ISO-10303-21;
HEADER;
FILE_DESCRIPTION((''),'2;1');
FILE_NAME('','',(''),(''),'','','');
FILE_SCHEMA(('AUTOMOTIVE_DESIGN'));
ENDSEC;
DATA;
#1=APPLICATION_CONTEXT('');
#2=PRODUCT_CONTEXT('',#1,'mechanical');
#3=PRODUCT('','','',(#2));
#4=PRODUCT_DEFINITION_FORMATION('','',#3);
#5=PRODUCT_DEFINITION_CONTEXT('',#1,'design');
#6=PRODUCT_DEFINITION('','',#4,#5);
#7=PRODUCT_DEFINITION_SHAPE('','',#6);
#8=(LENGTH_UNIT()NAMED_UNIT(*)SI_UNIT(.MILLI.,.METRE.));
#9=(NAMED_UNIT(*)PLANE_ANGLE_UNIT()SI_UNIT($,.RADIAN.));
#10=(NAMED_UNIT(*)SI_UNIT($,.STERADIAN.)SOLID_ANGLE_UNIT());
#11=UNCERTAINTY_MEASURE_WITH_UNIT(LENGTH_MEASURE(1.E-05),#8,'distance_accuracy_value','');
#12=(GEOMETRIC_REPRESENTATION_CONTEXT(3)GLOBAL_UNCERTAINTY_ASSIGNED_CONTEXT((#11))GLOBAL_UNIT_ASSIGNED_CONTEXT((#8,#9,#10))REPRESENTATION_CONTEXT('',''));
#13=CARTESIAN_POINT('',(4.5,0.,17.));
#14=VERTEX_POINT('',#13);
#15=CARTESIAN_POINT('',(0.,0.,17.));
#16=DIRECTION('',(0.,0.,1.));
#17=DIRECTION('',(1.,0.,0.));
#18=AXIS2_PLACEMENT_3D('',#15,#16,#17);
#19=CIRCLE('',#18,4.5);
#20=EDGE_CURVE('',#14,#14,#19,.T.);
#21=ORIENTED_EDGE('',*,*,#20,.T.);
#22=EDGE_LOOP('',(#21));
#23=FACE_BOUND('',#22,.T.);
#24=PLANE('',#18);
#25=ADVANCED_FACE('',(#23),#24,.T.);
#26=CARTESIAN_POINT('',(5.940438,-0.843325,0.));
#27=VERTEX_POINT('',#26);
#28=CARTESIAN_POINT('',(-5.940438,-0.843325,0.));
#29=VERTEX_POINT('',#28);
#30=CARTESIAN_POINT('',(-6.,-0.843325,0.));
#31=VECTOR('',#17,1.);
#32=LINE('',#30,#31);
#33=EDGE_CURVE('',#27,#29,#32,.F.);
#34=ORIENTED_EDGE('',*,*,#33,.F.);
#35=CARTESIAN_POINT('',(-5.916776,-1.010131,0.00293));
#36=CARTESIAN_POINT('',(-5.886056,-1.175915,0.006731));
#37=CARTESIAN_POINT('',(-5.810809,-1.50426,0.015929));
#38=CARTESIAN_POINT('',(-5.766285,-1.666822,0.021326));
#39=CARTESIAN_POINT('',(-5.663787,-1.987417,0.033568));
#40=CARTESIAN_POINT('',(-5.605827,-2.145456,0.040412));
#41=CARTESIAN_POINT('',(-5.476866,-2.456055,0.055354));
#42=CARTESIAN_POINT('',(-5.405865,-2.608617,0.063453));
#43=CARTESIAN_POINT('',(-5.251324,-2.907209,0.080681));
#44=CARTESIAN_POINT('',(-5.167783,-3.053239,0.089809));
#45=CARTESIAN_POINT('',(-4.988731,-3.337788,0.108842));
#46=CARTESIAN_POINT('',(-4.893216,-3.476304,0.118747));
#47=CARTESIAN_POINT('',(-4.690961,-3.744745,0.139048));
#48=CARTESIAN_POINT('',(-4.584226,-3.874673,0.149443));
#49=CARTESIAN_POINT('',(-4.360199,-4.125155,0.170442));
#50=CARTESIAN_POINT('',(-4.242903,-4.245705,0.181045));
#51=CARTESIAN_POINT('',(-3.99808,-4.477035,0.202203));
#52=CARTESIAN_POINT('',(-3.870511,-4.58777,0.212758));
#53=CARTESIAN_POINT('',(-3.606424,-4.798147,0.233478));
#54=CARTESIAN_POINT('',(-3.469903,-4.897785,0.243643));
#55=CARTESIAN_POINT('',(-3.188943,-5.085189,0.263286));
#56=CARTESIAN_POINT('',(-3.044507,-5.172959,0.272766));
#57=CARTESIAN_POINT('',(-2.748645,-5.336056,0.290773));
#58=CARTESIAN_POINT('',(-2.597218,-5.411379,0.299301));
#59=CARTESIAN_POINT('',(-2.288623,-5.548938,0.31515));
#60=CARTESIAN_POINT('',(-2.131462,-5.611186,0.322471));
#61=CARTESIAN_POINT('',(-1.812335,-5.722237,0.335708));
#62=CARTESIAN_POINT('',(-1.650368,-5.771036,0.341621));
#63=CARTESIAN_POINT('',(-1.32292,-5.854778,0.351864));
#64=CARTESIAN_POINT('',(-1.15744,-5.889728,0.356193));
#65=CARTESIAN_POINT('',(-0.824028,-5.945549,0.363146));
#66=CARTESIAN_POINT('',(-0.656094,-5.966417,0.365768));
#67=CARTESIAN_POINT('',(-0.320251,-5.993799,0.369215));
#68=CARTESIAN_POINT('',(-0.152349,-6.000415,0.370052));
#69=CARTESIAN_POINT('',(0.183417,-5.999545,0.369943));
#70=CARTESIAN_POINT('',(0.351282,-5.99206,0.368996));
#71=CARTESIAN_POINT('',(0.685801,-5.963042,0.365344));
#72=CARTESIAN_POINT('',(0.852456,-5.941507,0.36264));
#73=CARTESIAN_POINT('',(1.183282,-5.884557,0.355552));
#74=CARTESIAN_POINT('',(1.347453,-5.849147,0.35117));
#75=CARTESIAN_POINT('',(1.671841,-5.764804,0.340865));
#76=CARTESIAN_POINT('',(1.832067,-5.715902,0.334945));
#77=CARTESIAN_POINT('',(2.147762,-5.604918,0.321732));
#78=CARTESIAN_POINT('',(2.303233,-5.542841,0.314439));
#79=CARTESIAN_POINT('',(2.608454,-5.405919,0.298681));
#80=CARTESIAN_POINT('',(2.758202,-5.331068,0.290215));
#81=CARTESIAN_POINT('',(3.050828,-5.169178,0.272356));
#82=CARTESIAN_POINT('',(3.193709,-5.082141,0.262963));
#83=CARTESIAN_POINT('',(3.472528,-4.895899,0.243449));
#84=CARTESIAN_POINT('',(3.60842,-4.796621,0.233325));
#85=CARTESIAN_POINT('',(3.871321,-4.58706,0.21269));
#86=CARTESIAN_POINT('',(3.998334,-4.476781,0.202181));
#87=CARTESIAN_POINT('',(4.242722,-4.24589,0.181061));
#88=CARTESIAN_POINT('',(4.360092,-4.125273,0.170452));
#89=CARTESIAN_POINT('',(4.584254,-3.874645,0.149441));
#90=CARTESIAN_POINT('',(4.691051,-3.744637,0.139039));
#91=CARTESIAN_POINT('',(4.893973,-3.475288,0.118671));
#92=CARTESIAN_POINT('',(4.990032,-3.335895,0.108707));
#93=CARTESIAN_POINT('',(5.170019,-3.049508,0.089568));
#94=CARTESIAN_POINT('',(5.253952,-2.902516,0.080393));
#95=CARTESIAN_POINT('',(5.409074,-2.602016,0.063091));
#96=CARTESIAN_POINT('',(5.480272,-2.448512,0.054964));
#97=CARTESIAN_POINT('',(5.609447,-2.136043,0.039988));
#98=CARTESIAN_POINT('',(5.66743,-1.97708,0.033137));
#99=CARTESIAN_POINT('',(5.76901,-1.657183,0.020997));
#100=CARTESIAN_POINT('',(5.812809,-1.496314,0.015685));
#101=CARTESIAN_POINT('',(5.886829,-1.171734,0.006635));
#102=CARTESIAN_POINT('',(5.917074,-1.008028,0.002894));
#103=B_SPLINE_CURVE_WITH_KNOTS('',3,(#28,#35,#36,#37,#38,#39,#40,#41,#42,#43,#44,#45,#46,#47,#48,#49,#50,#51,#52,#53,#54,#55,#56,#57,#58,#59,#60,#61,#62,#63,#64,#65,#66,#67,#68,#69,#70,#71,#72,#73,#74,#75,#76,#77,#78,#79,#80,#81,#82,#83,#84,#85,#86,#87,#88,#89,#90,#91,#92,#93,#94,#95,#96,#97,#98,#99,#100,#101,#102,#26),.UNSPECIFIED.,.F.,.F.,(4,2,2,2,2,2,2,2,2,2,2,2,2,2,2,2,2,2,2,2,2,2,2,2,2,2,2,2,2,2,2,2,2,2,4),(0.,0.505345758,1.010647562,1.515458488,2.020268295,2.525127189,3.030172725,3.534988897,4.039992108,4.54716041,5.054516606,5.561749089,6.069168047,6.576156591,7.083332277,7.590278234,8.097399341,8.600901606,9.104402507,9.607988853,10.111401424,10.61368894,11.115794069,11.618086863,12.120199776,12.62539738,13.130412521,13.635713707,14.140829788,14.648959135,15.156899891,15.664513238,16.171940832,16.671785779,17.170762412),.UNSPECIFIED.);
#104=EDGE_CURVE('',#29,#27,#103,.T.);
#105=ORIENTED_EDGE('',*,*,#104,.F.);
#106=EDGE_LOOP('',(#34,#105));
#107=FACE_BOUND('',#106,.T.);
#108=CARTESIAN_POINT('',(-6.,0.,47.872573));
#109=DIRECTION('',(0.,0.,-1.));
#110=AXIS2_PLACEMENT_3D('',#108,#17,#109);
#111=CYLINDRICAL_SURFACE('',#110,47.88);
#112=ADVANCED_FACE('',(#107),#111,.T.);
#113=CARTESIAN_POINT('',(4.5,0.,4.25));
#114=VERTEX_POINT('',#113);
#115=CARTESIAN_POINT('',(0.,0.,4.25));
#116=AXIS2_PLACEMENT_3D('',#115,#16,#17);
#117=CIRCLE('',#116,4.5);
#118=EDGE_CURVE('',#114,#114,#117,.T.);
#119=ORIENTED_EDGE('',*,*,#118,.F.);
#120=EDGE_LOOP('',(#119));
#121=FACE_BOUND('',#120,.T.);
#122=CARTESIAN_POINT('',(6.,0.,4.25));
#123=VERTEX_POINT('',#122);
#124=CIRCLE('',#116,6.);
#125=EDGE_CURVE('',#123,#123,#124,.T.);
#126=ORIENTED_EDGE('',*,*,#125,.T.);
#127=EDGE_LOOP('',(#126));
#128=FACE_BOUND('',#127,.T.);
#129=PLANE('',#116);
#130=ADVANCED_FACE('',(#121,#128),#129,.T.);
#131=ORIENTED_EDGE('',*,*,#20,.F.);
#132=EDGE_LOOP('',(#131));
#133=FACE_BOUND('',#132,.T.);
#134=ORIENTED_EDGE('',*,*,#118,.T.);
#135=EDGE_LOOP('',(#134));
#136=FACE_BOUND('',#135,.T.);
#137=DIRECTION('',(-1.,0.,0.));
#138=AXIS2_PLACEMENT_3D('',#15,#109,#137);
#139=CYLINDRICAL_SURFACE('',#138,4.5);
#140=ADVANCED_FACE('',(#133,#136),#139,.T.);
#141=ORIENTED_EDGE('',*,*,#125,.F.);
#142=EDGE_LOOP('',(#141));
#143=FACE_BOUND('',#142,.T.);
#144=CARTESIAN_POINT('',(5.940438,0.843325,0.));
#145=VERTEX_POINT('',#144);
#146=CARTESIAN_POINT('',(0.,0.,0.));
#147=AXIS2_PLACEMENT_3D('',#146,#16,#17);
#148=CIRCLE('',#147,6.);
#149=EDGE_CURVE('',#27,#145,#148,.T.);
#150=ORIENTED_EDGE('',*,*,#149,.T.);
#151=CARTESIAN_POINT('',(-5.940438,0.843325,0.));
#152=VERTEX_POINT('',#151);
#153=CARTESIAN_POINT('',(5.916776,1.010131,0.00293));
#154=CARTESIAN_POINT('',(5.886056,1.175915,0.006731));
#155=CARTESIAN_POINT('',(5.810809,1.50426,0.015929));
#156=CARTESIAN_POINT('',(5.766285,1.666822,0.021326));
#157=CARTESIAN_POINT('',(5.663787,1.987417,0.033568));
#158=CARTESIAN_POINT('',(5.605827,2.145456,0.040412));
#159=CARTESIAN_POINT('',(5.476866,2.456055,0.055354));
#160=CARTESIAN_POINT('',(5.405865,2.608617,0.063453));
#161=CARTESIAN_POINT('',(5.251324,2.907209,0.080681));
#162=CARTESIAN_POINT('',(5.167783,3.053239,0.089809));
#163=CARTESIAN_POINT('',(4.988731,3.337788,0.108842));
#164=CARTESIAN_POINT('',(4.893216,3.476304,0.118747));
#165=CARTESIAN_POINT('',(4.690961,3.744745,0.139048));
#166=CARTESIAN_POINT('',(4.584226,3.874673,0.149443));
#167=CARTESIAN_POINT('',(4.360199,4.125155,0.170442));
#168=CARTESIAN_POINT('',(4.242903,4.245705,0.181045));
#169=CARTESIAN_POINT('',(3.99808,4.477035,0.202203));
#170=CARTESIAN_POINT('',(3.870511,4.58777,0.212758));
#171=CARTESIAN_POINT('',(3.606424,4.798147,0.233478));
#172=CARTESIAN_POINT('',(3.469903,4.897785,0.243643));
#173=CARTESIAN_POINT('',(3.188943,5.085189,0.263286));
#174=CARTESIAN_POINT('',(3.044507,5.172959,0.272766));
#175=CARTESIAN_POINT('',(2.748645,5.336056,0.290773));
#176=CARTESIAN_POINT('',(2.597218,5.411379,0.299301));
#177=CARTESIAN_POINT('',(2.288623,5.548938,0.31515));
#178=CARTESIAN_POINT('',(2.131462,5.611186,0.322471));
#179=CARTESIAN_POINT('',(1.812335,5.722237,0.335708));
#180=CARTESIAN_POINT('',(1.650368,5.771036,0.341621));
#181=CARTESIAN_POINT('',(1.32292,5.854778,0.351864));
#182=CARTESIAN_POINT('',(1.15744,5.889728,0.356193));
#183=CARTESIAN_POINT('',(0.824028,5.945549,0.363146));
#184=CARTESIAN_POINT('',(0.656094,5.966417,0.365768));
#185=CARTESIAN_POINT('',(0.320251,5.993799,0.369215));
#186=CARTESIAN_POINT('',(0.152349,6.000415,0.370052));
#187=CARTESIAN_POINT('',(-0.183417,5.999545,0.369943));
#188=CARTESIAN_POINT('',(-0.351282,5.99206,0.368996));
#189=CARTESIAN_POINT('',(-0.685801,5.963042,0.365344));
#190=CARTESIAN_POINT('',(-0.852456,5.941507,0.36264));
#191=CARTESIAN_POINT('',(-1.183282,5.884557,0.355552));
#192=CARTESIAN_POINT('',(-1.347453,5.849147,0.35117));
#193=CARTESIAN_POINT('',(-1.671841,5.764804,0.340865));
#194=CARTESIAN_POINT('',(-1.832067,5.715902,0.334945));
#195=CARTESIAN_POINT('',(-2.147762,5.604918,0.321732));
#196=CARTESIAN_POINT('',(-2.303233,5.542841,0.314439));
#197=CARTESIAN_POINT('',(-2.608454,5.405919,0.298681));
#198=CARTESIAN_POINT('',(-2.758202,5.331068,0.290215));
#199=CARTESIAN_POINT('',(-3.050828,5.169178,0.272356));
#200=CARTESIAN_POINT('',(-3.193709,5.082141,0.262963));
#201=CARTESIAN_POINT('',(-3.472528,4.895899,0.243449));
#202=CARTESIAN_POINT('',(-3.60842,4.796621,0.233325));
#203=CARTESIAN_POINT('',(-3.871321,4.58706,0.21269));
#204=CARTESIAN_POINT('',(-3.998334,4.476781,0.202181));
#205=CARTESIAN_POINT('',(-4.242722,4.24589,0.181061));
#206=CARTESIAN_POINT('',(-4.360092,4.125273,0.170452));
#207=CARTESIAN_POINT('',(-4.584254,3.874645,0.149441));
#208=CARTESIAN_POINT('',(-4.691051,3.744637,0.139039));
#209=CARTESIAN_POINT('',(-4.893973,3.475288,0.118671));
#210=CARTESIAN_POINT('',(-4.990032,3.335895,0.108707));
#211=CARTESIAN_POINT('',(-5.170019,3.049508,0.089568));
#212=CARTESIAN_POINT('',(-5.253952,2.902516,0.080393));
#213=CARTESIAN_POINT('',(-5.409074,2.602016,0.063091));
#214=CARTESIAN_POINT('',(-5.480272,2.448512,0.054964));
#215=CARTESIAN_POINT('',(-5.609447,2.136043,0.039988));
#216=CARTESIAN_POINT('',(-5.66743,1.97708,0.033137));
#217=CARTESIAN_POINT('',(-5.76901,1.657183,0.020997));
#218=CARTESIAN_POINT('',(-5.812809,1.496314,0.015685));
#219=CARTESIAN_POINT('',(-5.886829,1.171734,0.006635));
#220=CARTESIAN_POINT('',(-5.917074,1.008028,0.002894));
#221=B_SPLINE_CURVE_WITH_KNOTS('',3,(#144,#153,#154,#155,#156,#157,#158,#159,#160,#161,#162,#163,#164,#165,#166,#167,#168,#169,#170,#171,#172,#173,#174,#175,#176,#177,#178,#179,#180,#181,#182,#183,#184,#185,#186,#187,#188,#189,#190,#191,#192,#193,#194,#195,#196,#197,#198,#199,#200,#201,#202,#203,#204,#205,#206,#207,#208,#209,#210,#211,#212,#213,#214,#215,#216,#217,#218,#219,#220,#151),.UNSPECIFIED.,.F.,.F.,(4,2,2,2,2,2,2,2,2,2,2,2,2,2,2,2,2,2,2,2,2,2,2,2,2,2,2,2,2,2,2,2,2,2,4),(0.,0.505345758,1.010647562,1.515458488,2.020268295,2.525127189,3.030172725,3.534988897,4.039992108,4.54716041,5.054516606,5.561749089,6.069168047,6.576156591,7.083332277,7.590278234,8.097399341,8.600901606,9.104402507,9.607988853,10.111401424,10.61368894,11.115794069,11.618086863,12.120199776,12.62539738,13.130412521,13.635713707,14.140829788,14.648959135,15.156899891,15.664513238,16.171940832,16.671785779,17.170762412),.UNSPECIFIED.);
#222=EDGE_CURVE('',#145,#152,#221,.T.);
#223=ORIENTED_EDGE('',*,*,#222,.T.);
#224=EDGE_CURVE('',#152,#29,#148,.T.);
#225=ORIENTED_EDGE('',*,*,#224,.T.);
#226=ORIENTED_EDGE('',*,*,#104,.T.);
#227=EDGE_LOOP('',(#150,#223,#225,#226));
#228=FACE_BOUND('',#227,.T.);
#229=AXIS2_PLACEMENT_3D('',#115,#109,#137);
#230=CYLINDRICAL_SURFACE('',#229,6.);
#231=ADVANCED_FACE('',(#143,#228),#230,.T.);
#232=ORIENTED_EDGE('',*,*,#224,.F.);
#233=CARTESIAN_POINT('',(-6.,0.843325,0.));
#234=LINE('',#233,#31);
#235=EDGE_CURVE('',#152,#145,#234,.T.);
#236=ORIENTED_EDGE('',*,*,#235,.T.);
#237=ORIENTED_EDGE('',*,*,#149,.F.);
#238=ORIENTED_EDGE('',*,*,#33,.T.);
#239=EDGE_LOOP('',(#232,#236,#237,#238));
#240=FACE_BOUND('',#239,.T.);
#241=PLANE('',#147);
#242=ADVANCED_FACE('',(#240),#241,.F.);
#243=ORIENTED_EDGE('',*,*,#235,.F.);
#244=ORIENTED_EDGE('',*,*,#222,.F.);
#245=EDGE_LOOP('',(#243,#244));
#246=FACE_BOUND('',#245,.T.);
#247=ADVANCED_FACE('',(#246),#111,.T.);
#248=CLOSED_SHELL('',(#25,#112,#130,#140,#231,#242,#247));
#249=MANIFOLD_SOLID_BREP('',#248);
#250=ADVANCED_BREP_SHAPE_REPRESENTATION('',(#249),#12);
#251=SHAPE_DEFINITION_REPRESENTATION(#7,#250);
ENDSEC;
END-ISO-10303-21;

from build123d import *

# Parameters (mm, degrees)
SKETCH1_R               = 4.5
BOSS_EXTRUDE1_DEPTH     = 17
SKETCH1_3_R             = 6
SKETCH1_3_R_2           = 4.5
BOSS_EXTRUDE2_DEPTH     = 4.25
CUT_EXTRUDE1_DEPTH      = 20
CUT_EXTRUDE1_DEPTH_BACK = 20


with BuildPart() as part:
    # Sketch1 → Boss-Extrude1 (new body)
    with BuildSketch(Plane.XY):
        Circle(SKETCH1_R)
    extrude(amount=BOSS_EXTRUDE1_DEPTH)

    # Sketch1<3> → Boss-Extrude2 (add)
    with BuildSketch(Plane.XY):
        Circle(SKETCH1_3_R)
        Circle(SKETCH1_3_R_2, mode=Mode.SUBTRACT)
    extrude(amount=BOSS_EXTRUDE2_DEPTH)

    # Sketch2 → Cut-Extrude1 (cut, two sides: drawn at the far end of the back side and taken through both)
    with BuildSketch(Plane(origin=(0, 0, 0), x_dir=(0, 0, -1), z_dir=(1, 0, 0)).offset(-CUT_EXTRUDE1_DEPTH_BACK)):
        with BuildLine():
            Line((0, 6), (-0.37, 6))
            ThreePointArc((-0.37, 6), (-0.115349001, 3.426659852), (0, 0.843324554))
            Line((0, 0.843324554), (0, 6))
        make_face()
        with BuildLine():
            Line((0, -6), (0, -0.843324554))
            ThreePointArc((0, -0.843324554), (-0.115349001, -3.426659852), (-0.37, -6))
            Line((-0.37, -6), (0, -6))
        make_face()
    extrude(amount=CUT_EXTRUDE1_DEPTH + CUT_EXTRUDE1_DEPTH_BACK, mode=Mode.SUBTRACT)


solid = part.part
